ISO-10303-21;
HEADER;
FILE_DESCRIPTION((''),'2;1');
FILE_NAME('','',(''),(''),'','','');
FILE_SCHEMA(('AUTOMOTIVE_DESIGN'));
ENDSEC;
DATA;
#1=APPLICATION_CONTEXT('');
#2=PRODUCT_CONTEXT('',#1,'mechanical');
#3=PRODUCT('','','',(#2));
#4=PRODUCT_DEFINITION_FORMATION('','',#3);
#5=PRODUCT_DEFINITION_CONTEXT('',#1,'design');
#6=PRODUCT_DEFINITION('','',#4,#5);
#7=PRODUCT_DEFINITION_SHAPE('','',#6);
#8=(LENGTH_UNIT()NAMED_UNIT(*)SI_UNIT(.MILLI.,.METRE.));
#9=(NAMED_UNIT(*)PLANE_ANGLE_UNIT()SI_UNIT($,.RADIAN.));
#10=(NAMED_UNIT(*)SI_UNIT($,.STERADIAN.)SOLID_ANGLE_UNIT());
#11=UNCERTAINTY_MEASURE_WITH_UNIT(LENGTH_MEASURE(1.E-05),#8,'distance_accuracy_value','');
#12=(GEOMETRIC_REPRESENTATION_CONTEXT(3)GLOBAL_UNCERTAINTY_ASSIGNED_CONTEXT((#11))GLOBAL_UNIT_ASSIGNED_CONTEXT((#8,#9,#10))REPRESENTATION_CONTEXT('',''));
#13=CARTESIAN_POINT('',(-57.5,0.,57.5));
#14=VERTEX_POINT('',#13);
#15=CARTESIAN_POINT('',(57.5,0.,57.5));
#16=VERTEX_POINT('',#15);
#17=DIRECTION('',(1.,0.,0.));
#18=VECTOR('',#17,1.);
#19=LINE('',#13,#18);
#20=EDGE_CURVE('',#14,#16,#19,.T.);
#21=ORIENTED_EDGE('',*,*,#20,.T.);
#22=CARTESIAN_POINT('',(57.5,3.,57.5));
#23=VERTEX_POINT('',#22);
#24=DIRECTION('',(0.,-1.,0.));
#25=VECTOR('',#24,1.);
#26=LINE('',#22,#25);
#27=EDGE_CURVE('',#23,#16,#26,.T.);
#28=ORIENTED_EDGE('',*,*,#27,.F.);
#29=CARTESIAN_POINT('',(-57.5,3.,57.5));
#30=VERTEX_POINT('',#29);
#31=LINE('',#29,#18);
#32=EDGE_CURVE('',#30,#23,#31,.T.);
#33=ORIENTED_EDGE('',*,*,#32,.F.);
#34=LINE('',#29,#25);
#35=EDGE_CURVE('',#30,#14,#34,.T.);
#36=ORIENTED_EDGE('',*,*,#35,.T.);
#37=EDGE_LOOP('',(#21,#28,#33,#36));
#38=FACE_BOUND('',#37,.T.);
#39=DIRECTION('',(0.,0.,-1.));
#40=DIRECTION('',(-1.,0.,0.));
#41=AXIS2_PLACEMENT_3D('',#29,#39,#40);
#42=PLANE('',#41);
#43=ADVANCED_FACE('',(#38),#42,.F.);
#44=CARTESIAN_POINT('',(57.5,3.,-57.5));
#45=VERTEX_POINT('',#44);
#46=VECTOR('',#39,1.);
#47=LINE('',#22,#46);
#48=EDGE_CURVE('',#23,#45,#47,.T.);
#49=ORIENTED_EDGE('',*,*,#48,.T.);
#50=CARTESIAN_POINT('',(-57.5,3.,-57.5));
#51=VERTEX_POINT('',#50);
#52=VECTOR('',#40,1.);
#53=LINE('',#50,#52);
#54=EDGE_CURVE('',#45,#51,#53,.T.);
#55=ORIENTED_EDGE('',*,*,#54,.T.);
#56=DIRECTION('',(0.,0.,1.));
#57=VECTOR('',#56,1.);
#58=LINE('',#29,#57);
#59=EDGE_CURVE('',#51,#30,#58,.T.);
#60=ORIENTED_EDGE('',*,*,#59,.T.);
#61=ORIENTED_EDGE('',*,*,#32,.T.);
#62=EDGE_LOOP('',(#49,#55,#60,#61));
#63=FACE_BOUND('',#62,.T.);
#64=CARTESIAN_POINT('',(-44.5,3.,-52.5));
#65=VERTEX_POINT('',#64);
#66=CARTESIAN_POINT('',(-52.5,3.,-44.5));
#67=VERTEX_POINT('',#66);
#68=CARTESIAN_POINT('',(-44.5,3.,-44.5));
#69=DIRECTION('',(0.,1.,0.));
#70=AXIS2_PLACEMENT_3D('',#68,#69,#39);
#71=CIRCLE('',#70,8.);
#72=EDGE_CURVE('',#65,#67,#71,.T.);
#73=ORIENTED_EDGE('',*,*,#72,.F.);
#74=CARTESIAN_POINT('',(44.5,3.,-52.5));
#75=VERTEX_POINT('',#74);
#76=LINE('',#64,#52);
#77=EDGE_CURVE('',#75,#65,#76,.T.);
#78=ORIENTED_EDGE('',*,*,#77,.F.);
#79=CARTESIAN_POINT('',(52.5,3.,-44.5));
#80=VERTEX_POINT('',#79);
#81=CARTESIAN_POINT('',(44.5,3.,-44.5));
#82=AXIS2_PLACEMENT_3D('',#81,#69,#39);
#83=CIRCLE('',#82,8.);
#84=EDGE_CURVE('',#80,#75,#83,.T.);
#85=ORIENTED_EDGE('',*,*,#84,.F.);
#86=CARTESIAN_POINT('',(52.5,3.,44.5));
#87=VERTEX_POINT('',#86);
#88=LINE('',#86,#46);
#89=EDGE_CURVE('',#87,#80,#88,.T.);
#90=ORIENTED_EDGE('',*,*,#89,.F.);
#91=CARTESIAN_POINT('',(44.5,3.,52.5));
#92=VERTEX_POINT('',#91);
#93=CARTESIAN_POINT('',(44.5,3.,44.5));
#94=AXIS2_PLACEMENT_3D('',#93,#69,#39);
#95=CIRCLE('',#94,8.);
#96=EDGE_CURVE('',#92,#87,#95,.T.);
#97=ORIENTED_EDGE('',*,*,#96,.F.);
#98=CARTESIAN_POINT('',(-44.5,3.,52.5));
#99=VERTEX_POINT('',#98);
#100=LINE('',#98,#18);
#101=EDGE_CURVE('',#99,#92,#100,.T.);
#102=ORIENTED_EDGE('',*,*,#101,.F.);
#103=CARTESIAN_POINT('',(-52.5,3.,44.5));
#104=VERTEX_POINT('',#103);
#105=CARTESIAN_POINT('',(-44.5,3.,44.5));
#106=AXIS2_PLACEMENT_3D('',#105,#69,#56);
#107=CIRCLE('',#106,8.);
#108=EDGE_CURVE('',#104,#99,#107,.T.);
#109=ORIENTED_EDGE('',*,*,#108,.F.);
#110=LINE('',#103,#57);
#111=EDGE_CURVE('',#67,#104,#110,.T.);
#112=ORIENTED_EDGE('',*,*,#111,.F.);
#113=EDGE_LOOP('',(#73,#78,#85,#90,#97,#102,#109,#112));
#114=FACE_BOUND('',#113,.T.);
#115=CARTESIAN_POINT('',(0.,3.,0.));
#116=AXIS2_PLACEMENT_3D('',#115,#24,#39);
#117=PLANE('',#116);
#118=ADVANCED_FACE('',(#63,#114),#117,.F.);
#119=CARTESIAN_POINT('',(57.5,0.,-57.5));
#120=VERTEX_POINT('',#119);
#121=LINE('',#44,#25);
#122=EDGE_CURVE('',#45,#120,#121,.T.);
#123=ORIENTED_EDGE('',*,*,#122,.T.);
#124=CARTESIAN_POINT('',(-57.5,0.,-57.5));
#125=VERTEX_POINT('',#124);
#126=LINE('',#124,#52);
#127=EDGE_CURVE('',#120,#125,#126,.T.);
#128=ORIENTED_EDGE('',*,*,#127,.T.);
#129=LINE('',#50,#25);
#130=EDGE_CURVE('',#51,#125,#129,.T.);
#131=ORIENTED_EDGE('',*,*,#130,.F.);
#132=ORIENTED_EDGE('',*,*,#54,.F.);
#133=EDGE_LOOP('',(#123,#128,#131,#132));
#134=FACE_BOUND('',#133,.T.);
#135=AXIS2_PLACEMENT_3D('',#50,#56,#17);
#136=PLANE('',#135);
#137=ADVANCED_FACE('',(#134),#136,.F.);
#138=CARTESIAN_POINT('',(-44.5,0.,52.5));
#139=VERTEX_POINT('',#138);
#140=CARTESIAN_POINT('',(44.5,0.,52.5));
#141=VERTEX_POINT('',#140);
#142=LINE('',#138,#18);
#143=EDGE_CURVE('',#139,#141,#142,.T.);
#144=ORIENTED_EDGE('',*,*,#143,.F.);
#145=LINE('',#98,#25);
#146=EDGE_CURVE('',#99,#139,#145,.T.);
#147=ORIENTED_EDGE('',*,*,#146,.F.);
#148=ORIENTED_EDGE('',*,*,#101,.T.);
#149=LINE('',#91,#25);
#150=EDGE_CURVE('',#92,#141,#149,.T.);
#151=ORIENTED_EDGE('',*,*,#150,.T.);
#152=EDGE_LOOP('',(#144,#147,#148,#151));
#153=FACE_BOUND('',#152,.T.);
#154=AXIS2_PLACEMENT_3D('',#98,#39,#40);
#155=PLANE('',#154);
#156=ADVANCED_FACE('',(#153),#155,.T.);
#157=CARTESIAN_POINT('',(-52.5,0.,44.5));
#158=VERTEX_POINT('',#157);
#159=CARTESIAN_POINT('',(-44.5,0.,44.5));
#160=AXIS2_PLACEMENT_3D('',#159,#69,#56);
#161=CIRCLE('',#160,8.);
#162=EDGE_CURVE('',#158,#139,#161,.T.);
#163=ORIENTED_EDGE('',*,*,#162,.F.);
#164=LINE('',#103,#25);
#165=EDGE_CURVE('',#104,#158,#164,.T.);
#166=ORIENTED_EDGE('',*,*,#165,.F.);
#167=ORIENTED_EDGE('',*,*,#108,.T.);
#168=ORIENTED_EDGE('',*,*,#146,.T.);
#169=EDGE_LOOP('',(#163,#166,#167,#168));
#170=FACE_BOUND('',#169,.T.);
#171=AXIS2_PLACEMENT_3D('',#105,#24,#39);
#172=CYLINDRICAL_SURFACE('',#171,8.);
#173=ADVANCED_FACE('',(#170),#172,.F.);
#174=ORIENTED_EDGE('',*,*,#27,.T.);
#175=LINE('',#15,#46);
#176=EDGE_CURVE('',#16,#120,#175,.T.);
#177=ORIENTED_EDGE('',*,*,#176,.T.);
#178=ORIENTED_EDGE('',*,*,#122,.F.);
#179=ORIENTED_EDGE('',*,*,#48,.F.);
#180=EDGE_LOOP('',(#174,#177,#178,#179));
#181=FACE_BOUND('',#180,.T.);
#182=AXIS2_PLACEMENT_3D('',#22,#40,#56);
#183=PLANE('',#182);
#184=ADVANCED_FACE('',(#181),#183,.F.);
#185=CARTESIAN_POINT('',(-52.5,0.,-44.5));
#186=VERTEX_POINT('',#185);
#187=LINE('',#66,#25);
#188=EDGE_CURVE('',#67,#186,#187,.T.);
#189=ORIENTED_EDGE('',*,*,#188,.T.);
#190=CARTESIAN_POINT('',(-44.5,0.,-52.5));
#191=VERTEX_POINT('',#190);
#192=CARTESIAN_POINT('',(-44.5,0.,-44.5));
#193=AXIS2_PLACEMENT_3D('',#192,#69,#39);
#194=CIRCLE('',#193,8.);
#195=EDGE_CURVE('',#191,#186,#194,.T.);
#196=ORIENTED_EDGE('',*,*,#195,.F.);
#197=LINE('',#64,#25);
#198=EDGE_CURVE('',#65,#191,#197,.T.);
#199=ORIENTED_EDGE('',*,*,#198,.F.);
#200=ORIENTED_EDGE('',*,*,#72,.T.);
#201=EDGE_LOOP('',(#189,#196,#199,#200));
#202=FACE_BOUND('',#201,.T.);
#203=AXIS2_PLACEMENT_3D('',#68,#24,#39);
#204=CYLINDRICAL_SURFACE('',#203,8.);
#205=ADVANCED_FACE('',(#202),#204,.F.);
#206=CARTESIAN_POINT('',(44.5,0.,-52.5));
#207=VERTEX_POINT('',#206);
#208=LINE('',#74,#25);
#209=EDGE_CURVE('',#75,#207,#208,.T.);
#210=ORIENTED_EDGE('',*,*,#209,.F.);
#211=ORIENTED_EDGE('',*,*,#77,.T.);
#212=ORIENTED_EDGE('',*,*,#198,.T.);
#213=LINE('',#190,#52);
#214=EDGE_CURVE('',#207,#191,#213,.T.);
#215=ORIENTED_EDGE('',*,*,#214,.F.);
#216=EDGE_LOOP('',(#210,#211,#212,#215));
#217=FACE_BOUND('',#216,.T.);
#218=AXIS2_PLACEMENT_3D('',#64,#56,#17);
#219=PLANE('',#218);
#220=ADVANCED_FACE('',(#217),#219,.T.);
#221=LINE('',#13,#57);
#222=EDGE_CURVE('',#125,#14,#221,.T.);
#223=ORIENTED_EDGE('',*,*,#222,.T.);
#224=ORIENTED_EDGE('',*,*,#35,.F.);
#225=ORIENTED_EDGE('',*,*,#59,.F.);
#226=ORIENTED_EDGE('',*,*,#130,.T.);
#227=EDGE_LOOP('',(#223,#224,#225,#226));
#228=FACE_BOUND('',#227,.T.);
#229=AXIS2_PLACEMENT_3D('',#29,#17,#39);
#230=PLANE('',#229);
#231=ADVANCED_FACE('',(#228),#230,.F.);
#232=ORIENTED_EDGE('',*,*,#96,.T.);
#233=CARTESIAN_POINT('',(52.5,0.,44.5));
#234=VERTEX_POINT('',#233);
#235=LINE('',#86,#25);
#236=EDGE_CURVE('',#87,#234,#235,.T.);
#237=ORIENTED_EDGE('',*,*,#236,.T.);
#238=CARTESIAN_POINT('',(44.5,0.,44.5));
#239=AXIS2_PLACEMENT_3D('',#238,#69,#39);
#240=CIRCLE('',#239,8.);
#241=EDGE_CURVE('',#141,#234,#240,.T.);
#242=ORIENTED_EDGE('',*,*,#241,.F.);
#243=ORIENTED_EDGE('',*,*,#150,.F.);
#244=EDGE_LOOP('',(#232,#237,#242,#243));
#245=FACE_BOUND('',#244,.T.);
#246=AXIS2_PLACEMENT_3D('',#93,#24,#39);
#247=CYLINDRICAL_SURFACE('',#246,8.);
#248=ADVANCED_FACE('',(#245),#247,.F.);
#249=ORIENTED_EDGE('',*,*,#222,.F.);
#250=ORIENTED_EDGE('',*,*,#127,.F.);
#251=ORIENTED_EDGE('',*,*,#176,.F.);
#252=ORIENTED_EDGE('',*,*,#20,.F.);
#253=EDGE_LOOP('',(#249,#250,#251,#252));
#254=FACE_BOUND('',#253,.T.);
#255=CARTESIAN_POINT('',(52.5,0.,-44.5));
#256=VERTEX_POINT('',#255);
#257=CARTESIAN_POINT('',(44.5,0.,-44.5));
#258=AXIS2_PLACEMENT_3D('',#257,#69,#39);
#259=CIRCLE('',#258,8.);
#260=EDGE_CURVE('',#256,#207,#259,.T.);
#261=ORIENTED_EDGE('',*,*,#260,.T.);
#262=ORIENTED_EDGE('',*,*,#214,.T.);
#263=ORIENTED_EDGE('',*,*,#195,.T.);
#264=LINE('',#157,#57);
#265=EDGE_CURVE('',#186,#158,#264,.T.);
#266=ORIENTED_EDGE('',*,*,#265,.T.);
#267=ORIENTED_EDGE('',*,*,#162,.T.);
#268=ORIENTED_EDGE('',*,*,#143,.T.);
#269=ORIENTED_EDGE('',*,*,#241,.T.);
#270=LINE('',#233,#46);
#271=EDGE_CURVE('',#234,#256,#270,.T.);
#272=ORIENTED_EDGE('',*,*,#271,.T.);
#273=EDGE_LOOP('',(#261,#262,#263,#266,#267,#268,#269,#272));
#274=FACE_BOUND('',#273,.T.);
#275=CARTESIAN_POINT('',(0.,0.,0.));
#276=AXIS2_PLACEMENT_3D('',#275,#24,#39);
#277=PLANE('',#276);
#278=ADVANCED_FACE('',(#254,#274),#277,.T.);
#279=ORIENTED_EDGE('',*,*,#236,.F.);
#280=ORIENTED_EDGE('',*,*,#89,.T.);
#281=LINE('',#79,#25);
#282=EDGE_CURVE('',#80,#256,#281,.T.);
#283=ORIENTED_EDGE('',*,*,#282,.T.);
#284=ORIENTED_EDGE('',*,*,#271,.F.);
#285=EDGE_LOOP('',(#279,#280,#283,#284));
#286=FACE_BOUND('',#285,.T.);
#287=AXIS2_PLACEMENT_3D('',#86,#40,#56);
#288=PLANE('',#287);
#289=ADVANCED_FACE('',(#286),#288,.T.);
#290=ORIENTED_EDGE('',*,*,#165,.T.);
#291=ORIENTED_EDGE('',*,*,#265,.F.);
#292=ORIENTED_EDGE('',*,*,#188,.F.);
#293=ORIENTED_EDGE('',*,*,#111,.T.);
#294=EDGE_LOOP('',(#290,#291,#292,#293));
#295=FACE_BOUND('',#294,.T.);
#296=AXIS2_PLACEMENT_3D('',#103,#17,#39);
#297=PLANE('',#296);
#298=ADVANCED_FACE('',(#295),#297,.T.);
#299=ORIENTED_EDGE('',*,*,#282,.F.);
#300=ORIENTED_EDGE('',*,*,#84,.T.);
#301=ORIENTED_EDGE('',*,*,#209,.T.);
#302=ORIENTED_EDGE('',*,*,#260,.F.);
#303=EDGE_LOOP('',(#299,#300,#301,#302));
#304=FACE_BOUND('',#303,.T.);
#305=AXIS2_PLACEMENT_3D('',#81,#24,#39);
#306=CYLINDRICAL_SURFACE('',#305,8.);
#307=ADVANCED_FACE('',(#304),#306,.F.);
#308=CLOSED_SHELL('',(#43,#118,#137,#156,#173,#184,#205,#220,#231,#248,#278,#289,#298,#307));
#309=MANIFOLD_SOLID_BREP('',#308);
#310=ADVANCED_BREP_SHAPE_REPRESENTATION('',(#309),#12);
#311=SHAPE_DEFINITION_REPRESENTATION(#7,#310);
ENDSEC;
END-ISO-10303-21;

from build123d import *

# Parameters (mm, degrees)
SKETCH_1_W      = 115
SKETCH_1_H      = 115
EXTRUDE_1_DEPTH = 3


with BuildPart() as part:
    # Эскиз1 → Бобышка-Вытянуть1 (new body)
    with BuildSketch(Plane(origin=(0, 0, 0), x_dir=(1, 0, 0), z_dir=(0, 1, 0))):
        Rectangle(SKETCH_1_W, SKETCH_1_H)
        with BuildLine():
            Line((-44.5, -52.5), (44.5, -52.5))
            ThreePointArc((44.5, -52.5), (50.156854249, -50.156854249), (52.5, -44.5))
            Line((52.5, -44.5), (52.5, 44.5))
            ThreePointArc((52.5, 44.5), (50.156854249, 50.156854249), (44.5, 52.5))
            Line((44.5, 52.5), (-44.5, 52.5))
            ThreePointArc((-44.5, 52.5), (-50.156854249, 50.156854249), (-52.5, 44.5))
            Line((-52.5, 44.5), (-52.5, -44.5))
            ThreePointArc((-52.5, -44.5), (-50.156854249, -50.156854249), (-44.5, -52.5))
        make_face(mode=Mode.SUBTRACT)
    extrude(amount=EXTRUDE_1_DEPTH)


solid = part.part
